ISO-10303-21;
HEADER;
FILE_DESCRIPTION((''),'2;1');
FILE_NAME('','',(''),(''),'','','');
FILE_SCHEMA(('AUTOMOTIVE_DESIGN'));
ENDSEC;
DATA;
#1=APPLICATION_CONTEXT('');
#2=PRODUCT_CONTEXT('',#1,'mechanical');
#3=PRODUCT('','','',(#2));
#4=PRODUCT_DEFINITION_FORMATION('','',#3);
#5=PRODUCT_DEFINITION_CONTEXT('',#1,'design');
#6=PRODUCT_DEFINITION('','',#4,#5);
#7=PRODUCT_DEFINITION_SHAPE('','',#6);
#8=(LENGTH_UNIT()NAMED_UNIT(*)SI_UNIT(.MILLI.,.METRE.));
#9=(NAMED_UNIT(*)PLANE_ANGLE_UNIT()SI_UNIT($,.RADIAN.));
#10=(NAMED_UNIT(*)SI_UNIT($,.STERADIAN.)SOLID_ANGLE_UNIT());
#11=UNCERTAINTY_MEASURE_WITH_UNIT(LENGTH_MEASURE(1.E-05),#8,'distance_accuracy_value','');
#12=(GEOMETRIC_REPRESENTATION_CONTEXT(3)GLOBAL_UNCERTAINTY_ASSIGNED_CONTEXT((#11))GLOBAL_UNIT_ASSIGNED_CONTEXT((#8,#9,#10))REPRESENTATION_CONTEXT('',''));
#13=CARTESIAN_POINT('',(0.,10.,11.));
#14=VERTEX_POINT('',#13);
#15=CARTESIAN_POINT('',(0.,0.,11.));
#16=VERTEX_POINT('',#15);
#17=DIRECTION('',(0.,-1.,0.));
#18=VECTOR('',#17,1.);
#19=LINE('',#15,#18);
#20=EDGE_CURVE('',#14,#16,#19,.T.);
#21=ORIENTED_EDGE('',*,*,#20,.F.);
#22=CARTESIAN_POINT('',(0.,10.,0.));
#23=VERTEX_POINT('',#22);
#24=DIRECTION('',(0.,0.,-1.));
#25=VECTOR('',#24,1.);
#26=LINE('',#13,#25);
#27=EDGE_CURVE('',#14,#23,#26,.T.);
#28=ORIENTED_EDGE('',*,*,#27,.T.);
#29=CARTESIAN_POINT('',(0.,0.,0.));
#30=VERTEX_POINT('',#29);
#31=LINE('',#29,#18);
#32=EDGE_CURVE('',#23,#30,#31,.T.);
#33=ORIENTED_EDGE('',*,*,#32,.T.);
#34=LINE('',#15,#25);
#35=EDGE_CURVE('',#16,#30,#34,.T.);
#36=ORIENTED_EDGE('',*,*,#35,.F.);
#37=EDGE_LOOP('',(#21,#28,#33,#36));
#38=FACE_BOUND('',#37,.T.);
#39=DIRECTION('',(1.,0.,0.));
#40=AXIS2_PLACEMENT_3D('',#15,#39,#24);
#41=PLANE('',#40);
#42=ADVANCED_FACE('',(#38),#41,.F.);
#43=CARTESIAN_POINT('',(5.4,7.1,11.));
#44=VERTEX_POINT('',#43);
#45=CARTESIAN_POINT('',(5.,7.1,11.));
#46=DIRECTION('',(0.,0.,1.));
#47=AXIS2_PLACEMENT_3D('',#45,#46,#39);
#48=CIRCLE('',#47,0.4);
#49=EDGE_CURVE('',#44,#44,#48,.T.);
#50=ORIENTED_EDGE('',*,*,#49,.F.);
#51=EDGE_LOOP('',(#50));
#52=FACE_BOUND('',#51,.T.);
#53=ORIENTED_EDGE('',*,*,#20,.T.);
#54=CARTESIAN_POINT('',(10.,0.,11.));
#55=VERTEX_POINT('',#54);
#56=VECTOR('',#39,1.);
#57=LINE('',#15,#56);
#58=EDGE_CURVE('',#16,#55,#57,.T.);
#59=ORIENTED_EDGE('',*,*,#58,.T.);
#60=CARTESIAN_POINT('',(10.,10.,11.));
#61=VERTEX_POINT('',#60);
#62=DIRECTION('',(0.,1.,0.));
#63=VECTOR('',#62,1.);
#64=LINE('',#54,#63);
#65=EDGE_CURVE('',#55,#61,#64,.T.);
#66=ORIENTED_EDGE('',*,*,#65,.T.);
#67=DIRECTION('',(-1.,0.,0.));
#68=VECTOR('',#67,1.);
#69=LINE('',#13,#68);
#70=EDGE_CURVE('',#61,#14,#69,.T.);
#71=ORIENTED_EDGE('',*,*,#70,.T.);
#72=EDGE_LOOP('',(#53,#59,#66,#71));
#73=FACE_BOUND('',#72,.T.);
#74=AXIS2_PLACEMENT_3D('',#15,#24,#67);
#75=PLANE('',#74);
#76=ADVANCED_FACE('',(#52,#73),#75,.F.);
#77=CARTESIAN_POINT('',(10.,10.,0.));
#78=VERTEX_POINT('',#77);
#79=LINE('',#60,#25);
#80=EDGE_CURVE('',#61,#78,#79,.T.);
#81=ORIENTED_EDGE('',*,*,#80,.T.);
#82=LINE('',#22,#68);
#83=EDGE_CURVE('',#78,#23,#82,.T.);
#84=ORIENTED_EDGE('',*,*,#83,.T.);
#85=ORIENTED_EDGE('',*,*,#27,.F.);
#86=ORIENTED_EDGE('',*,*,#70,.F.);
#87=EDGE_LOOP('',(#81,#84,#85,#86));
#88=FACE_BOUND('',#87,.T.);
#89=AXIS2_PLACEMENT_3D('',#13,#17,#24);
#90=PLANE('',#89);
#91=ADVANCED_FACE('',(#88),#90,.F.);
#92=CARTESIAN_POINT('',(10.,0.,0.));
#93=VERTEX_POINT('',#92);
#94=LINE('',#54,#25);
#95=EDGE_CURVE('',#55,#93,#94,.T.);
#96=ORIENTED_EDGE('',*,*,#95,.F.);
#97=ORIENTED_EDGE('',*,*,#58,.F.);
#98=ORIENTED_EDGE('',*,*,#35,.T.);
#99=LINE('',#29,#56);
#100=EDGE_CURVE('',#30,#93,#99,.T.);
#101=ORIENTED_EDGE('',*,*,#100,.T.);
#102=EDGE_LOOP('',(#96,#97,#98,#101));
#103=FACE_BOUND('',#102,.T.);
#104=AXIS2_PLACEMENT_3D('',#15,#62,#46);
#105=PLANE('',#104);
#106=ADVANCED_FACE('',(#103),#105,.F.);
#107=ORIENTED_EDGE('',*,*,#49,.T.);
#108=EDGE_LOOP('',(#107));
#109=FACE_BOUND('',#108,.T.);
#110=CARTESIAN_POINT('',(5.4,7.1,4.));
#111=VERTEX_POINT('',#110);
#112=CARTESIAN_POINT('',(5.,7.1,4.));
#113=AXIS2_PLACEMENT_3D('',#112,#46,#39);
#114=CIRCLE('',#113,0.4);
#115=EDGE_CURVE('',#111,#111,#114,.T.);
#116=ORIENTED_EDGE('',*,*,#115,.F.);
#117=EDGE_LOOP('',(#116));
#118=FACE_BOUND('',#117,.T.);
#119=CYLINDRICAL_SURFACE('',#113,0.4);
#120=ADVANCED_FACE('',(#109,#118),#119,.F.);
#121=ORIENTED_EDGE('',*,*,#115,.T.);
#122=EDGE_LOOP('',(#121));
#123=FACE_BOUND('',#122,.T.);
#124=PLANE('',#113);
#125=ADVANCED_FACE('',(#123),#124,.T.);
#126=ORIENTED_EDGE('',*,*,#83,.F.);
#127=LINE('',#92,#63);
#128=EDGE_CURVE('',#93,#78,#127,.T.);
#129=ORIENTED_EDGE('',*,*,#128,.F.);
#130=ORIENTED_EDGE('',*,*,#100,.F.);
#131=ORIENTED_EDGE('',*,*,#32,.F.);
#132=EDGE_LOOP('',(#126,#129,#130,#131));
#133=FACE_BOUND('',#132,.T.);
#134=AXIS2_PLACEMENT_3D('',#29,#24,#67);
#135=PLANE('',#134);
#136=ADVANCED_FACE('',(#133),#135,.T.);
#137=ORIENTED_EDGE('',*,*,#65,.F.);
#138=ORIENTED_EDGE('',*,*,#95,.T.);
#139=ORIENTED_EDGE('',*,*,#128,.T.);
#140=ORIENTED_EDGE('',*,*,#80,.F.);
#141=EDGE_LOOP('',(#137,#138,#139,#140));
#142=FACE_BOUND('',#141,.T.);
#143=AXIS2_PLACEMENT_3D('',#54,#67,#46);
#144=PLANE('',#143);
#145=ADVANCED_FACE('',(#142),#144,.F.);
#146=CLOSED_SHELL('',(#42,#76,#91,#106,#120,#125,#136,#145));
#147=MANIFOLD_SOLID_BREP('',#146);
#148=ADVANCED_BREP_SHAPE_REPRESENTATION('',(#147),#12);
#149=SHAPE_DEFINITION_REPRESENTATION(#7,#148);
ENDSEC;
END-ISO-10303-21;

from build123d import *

# Parameters (mm, degrees)
SKETCH1_W           = 10
SKETCH1_H           = 10
BOSS_EXTRUDE1_DEPTH = 11
SKETCH2_R           = 0.4
CUT_EXTRUDE1_DEPTH  = 7


with BuildPart() as part:
    # Sketch1 → Boss-Extrude1 (new body)
    with BuildSketch(Plane.XY):
        with Locations((5, 5)):
            Rectangle(SKETCH1_W, SKETCH1_H)
    extrude(amount=BOSS_EXTRUDE1_DEPTH)

    # Sketch2 → Cut-Extrude1 (cut)
    with BuildSketch(Plane.XY.offset(11)):
        with Locations((5, 7.1)):
            Circle(SKETCH2_R)
    extrude(amount=-CUT_EXTRUDE1_DEPTH, mode=Mode.SUBTRACT)


solid = part.part
